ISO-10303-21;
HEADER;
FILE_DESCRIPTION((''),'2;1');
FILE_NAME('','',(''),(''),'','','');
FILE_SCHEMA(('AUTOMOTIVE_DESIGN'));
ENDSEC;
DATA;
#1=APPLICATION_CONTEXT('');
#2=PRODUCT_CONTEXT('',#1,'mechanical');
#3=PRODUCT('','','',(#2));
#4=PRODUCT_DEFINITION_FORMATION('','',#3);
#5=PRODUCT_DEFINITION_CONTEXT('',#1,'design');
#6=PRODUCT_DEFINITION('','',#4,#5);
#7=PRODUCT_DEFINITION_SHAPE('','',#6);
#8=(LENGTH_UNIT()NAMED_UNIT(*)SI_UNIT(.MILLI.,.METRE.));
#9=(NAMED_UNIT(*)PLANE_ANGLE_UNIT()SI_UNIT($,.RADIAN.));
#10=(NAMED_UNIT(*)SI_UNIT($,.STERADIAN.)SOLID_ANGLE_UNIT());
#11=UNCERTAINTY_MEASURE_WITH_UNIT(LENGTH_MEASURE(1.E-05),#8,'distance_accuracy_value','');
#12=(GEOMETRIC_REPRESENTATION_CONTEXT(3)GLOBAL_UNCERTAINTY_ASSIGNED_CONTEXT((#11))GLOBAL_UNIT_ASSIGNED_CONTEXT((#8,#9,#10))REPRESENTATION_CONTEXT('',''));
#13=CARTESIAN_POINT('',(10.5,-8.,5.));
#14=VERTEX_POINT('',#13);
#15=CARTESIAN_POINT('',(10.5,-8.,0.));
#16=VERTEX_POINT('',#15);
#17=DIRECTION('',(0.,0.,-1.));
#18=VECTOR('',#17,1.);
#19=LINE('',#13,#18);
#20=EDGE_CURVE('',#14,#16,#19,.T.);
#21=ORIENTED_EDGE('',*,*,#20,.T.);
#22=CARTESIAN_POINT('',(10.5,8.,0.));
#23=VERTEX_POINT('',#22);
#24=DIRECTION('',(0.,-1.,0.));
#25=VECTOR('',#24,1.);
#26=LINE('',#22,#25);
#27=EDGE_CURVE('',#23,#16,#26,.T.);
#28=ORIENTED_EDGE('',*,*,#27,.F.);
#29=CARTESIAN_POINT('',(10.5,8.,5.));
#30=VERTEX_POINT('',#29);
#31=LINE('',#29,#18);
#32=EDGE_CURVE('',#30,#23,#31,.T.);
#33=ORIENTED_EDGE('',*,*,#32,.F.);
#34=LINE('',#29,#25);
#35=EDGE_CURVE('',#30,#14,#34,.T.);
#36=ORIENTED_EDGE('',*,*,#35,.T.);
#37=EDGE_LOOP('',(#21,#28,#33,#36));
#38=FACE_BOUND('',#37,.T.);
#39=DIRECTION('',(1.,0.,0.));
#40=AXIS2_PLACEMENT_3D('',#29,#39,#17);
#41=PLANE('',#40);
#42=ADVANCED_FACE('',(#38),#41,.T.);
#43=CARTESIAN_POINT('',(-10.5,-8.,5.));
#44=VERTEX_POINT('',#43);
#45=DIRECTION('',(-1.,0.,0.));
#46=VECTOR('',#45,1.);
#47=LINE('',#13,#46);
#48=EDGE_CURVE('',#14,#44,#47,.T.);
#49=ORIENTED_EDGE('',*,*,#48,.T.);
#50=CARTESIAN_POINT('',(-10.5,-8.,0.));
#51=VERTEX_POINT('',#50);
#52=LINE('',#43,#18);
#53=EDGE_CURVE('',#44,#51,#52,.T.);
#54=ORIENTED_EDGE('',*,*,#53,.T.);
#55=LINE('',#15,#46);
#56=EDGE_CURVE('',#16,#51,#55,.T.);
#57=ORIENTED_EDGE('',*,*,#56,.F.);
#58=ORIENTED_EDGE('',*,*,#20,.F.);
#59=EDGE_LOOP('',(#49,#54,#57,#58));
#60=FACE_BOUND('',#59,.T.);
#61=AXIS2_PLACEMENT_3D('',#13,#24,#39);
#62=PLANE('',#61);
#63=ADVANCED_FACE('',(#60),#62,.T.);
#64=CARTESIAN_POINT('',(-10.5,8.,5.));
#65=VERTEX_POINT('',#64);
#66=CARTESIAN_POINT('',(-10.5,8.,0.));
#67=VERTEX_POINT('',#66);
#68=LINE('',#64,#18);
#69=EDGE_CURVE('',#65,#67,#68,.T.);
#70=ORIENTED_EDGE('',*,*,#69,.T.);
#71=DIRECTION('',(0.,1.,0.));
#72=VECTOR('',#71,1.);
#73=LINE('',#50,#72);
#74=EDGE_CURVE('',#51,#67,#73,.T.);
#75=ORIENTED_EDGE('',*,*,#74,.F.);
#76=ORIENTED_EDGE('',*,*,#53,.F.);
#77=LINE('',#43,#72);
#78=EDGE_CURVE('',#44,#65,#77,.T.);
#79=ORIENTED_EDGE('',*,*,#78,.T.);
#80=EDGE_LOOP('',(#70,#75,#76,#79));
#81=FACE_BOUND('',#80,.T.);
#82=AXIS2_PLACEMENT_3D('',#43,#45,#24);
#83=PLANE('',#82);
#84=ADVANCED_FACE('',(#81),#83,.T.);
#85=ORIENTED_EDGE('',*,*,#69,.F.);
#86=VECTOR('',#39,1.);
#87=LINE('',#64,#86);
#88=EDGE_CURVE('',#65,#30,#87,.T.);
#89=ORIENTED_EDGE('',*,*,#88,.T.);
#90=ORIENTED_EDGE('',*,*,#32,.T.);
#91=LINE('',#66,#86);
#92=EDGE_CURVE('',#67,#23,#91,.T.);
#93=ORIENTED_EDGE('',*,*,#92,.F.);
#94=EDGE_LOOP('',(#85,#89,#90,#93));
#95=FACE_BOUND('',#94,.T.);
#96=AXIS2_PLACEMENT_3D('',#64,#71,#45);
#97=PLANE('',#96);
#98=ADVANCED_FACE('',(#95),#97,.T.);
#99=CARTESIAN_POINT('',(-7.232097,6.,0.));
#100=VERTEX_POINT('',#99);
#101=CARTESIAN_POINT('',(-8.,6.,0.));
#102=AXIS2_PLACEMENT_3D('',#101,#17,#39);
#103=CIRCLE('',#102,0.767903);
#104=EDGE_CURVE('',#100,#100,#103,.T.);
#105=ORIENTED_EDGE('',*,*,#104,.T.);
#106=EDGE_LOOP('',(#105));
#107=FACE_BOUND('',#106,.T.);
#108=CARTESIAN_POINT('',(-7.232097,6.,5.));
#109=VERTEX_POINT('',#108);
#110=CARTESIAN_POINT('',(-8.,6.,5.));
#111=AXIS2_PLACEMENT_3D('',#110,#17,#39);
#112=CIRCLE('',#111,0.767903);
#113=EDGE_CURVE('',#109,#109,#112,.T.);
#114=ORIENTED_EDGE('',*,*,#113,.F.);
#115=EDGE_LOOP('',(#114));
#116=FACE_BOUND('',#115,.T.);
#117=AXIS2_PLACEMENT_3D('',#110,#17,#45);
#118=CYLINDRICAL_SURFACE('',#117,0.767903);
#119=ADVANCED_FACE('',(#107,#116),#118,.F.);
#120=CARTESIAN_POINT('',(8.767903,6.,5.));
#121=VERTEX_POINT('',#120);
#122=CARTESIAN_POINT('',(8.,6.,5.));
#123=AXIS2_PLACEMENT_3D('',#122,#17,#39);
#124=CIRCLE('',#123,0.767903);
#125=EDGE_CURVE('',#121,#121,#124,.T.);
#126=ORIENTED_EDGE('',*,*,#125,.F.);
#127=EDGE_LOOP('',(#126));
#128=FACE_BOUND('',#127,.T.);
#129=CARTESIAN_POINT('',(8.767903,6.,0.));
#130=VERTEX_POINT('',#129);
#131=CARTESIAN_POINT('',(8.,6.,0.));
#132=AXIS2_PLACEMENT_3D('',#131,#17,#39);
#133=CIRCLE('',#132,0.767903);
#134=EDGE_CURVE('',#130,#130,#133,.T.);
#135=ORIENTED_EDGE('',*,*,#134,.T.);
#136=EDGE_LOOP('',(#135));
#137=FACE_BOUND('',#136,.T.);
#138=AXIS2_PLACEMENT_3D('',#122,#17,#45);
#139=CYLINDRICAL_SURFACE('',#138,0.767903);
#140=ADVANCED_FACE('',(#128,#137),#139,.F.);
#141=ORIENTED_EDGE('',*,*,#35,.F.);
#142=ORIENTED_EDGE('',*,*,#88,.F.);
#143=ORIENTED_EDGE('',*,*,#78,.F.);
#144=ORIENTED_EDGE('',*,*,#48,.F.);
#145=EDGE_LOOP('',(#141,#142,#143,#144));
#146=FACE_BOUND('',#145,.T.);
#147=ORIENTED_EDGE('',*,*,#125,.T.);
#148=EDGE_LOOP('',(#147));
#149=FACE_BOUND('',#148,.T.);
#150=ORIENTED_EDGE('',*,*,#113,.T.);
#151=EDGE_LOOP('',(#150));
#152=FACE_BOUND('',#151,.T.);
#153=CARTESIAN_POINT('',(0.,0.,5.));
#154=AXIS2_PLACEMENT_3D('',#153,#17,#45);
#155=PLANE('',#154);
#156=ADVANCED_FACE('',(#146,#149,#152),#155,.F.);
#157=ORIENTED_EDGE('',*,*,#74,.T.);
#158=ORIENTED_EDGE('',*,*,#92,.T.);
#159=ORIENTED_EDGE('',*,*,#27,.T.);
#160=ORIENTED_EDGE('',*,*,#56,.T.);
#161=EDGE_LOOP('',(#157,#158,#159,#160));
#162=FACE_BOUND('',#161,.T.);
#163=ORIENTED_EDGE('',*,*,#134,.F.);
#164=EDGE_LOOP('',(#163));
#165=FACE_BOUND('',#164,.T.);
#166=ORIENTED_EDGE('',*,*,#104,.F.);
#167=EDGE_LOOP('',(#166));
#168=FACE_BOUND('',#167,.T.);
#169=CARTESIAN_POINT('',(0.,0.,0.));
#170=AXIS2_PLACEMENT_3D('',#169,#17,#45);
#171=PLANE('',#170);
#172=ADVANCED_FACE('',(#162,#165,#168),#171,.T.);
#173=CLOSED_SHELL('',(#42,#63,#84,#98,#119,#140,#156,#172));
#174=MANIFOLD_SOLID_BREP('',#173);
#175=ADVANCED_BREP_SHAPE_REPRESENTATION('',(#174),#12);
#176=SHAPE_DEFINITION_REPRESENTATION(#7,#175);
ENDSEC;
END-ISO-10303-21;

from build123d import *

# Parameters (mm, degrees)
SKETCH1_W           = 21
SKETCH1_H           = 16
SKETCH1_R           = 0.767903191
BOSS_EXTRUDE1_DEPTH = 5


with BuildPart() as part:
    # Sketch1 → Boss-Extrude1 (new body)
    with BuildSketch(Plane(origin=(0, 0, 0), x_dir=(-1, 0, 0), z_dir=(0, 0, -1))):
        Rectangle(SKETCH1_W, SKETCH1_H)
        with Locations(Location((-8, 6, 0), (0, 0, 180))):
            Circle(SKETCH1_R, mode=Mode.SUBTRACT)
        with Locations(Location((8, 6, 0), (0, 0, 180))):
            Circle(SKETCH1_R, mode=Mode.SUBTRACT)
    extrude(amount=-BOSS_EXTRUDE1_DEPTH)


solid = part.part
